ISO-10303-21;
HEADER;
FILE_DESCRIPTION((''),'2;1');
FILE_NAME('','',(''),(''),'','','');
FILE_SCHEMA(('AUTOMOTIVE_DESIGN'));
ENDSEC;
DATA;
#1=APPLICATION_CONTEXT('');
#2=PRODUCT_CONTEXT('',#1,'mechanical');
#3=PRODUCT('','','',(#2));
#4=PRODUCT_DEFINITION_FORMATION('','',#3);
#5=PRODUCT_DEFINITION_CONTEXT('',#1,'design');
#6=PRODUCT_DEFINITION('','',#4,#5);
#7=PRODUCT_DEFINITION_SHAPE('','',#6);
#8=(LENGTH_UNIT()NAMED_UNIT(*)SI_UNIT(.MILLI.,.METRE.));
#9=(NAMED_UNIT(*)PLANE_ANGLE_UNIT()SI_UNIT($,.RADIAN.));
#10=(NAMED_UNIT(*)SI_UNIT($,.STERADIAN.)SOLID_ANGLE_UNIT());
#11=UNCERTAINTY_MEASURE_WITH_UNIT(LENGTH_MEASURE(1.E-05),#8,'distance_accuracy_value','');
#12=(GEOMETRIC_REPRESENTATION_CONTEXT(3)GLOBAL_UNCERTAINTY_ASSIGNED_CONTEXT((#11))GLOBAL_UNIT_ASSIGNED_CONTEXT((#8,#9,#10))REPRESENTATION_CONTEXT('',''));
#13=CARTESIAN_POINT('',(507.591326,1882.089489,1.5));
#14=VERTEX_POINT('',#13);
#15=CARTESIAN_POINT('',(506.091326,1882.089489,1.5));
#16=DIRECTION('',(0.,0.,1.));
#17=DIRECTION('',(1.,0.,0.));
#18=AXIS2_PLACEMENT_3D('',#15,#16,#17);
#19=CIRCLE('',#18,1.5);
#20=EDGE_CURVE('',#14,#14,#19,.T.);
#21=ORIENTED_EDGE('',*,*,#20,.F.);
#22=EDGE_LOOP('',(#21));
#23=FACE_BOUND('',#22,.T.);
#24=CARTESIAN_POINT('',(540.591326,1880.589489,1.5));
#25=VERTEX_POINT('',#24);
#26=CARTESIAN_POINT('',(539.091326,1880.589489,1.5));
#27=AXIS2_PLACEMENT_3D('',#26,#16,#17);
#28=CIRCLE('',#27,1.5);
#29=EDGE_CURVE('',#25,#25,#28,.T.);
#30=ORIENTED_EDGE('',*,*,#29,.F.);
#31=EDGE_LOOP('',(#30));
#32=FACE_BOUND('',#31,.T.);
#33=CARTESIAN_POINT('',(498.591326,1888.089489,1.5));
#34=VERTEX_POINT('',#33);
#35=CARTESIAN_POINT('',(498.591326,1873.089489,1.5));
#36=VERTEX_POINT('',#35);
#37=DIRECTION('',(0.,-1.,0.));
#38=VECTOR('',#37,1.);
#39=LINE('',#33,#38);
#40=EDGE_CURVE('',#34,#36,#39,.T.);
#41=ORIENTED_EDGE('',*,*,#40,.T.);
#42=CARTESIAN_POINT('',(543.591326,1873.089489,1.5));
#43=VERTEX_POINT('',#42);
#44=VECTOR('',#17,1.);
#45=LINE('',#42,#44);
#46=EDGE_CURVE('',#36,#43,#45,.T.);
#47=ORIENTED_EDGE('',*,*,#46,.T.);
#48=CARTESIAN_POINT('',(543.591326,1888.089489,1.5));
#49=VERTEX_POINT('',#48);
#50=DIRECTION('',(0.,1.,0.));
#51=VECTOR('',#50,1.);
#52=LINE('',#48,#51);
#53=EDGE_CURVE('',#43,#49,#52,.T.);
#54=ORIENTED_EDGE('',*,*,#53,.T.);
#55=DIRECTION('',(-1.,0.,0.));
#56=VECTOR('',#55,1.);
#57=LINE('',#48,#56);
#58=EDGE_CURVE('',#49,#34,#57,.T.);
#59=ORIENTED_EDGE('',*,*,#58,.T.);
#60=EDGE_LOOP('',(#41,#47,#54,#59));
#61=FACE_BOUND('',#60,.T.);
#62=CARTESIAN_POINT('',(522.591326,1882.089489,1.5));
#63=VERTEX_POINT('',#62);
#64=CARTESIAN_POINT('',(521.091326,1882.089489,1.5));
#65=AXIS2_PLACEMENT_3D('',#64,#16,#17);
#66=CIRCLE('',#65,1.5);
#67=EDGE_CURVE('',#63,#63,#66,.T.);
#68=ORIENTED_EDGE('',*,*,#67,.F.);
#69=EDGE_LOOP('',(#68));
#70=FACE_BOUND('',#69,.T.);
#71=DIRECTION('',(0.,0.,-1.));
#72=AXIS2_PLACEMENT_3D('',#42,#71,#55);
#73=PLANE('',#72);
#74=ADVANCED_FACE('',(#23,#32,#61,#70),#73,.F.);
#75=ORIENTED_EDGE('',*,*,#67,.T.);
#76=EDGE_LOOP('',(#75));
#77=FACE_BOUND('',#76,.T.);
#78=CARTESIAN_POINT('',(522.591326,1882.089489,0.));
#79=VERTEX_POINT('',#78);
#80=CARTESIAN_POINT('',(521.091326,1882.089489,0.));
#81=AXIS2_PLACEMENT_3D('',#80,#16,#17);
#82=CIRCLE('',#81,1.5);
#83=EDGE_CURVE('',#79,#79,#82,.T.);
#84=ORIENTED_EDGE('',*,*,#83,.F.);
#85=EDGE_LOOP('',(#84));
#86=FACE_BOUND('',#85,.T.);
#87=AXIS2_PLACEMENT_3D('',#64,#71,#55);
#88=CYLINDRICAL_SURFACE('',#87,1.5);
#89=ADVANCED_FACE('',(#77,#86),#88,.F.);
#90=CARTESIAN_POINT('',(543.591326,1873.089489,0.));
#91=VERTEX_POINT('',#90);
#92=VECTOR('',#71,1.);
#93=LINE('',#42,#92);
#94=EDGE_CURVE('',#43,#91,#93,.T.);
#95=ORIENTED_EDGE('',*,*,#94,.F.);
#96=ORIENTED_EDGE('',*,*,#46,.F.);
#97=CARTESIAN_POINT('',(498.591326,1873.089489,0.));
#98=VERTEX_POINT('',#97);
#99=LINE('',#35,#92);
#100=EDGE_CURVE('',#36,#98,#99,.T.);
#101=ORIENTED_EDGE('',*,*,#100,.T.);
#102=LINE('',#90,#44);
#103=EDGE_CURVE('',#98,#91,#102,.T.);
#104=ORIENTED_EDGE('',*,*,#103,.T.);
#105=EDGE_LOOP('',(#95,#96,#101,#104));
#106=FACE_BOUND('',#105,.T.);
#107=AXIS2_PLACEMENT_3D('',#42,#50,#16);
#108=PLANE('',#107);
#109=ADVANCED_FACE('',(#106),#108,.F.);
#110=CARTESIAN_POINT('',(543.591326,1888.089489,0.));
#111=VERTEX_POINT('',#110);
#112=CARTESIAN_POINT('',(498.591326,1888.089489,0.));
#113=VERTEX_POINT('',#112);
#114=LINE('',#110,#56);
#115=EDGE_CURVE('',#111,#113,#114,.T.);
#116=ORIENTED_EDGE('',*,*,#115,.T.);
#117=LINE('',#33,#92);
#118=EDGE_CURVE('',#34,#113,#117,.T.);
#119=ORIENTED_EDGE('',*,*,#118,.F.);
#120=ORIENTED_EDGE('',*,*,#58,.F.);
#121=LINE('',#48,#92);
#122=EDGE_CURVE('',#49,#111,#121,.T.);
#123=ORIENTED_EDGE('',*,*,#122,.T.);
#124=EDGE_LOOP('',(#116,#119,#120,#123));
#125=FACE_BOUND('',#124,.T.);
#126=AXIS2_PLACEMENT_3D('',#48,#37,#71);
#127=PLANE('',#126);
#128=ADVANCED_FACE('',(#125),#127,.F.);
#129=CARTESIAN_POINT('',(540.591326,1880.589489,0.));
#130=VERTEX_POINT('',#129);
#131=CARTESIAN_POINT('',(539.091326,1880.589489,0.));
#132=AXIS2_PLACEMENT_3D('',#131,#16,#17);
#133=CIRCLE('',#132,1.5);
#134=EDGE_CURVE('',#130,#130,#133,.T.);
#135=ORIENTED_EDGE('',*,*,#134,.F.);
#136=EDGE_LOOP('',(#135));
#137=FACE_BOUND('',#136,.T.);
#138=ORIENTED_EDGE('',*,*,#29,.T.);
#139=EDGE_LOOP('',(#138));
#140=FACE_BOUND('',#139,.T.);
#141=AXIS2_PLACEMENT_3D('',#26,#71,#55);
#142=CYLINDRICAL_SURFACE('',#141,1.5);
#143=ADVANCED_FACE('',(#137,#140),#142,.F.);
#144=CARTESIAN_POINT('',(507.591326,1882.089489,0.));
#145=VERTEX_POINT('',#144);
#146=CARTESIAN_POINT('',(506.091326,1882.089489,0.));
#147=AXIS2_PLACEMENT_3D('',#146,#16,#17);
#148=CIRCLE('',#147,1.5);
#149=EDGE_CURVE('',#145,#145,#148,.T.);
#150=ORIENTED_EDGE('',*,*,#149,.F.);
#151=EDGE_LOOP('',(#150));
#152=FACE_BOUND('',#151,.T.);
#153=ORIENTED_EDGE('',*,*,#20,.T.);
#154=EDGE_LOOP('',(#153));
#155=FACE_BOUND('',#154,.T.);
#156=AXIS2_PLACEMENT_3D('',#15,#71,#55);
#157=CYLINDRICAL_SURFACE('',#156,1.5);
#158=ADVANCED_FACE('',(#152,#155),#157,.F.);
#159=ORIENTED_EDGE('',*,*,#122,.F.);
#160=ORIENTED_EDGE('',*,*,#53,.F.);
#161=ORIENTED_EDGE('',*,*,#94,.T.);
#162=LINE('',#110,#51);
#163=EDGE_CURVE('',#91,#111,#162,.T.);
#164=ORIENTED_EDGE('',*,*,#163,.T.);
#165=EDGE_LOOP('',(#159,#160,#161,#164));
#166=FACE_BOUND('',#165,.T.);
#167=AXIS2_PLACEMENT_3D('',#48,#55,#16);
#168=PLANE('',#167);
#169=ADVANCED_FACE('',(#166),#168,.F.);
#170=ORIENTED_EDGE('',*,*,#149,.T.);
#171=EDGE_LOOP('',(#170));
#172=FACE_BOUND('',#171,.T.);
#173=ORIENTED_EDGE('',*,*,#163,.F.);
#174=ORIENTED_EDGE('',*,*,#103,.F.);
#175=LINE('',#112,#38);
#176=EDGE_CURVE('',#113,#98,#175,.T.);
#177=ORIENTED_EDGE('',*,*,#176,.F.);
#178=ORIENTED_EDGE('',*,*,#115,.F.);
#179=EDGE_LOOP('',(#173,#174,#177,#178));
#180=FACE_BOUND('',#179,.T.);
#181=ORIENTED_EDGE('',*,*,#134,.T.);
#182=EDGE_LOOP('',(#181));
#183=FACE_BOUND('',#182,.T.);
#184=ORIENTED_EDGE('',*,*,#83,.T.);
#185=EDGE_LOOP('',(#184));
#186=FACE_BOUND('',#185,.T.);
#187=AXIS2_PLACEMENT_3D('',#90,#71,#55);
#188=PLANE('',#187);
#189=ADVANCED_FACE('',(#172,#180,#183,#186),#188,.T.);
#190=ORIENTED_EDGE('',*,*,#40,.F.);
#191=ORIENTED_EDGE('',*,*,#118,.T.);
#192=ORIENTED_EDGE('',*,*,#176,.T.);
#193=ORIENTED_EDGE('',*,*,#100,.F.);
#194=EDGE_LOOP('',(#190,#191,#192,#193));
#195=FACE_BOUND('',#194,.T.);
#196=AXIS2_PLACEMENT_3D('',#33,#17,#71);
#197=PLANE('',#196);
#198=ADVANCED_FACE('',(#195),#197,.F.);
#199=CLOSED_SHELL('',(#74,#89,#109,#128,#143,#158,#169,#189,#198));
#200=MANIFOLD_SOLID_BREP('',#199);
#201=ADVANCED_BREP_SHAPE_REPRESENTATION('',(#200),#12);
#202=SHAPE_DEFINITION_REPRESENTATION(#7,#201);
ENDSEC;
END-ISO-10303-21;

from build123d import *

# Parameters (mm, degrees)
ESQUISSE1_W      = 45
ESQUISSE1_H      = 15
ESQUISSE1_R      = 1.5
EXTRUSION1_DEPTH = 1.5


with BuildPart() as part:
    # Esquisse1 → Extrusion1 (new body)
    with BuildSketch(Plane.XY):
        with Locations((521.091325712, 1880.589488961)):
            Rectangle(ESQUISSE1_W, ESQUISSE1_H)
        with Locations((506.091325712, 1882.089488961)):
            Circle(ESQUISSE1_R, mode=Mode.SUBTRACT)
        with Locations((521.091325712, 1882.089488961)):
            Circle(ESQUISSE1_R, mode=Mode.SUBTRACT)
        with Locations((539.091325712, 1880.589488961)):
            Circle(ESQUISSE1_R, mode=Mode.SUBTRACT)
    extrude(amount=EXTRUSION1_DEPTH)


solid = part.part
